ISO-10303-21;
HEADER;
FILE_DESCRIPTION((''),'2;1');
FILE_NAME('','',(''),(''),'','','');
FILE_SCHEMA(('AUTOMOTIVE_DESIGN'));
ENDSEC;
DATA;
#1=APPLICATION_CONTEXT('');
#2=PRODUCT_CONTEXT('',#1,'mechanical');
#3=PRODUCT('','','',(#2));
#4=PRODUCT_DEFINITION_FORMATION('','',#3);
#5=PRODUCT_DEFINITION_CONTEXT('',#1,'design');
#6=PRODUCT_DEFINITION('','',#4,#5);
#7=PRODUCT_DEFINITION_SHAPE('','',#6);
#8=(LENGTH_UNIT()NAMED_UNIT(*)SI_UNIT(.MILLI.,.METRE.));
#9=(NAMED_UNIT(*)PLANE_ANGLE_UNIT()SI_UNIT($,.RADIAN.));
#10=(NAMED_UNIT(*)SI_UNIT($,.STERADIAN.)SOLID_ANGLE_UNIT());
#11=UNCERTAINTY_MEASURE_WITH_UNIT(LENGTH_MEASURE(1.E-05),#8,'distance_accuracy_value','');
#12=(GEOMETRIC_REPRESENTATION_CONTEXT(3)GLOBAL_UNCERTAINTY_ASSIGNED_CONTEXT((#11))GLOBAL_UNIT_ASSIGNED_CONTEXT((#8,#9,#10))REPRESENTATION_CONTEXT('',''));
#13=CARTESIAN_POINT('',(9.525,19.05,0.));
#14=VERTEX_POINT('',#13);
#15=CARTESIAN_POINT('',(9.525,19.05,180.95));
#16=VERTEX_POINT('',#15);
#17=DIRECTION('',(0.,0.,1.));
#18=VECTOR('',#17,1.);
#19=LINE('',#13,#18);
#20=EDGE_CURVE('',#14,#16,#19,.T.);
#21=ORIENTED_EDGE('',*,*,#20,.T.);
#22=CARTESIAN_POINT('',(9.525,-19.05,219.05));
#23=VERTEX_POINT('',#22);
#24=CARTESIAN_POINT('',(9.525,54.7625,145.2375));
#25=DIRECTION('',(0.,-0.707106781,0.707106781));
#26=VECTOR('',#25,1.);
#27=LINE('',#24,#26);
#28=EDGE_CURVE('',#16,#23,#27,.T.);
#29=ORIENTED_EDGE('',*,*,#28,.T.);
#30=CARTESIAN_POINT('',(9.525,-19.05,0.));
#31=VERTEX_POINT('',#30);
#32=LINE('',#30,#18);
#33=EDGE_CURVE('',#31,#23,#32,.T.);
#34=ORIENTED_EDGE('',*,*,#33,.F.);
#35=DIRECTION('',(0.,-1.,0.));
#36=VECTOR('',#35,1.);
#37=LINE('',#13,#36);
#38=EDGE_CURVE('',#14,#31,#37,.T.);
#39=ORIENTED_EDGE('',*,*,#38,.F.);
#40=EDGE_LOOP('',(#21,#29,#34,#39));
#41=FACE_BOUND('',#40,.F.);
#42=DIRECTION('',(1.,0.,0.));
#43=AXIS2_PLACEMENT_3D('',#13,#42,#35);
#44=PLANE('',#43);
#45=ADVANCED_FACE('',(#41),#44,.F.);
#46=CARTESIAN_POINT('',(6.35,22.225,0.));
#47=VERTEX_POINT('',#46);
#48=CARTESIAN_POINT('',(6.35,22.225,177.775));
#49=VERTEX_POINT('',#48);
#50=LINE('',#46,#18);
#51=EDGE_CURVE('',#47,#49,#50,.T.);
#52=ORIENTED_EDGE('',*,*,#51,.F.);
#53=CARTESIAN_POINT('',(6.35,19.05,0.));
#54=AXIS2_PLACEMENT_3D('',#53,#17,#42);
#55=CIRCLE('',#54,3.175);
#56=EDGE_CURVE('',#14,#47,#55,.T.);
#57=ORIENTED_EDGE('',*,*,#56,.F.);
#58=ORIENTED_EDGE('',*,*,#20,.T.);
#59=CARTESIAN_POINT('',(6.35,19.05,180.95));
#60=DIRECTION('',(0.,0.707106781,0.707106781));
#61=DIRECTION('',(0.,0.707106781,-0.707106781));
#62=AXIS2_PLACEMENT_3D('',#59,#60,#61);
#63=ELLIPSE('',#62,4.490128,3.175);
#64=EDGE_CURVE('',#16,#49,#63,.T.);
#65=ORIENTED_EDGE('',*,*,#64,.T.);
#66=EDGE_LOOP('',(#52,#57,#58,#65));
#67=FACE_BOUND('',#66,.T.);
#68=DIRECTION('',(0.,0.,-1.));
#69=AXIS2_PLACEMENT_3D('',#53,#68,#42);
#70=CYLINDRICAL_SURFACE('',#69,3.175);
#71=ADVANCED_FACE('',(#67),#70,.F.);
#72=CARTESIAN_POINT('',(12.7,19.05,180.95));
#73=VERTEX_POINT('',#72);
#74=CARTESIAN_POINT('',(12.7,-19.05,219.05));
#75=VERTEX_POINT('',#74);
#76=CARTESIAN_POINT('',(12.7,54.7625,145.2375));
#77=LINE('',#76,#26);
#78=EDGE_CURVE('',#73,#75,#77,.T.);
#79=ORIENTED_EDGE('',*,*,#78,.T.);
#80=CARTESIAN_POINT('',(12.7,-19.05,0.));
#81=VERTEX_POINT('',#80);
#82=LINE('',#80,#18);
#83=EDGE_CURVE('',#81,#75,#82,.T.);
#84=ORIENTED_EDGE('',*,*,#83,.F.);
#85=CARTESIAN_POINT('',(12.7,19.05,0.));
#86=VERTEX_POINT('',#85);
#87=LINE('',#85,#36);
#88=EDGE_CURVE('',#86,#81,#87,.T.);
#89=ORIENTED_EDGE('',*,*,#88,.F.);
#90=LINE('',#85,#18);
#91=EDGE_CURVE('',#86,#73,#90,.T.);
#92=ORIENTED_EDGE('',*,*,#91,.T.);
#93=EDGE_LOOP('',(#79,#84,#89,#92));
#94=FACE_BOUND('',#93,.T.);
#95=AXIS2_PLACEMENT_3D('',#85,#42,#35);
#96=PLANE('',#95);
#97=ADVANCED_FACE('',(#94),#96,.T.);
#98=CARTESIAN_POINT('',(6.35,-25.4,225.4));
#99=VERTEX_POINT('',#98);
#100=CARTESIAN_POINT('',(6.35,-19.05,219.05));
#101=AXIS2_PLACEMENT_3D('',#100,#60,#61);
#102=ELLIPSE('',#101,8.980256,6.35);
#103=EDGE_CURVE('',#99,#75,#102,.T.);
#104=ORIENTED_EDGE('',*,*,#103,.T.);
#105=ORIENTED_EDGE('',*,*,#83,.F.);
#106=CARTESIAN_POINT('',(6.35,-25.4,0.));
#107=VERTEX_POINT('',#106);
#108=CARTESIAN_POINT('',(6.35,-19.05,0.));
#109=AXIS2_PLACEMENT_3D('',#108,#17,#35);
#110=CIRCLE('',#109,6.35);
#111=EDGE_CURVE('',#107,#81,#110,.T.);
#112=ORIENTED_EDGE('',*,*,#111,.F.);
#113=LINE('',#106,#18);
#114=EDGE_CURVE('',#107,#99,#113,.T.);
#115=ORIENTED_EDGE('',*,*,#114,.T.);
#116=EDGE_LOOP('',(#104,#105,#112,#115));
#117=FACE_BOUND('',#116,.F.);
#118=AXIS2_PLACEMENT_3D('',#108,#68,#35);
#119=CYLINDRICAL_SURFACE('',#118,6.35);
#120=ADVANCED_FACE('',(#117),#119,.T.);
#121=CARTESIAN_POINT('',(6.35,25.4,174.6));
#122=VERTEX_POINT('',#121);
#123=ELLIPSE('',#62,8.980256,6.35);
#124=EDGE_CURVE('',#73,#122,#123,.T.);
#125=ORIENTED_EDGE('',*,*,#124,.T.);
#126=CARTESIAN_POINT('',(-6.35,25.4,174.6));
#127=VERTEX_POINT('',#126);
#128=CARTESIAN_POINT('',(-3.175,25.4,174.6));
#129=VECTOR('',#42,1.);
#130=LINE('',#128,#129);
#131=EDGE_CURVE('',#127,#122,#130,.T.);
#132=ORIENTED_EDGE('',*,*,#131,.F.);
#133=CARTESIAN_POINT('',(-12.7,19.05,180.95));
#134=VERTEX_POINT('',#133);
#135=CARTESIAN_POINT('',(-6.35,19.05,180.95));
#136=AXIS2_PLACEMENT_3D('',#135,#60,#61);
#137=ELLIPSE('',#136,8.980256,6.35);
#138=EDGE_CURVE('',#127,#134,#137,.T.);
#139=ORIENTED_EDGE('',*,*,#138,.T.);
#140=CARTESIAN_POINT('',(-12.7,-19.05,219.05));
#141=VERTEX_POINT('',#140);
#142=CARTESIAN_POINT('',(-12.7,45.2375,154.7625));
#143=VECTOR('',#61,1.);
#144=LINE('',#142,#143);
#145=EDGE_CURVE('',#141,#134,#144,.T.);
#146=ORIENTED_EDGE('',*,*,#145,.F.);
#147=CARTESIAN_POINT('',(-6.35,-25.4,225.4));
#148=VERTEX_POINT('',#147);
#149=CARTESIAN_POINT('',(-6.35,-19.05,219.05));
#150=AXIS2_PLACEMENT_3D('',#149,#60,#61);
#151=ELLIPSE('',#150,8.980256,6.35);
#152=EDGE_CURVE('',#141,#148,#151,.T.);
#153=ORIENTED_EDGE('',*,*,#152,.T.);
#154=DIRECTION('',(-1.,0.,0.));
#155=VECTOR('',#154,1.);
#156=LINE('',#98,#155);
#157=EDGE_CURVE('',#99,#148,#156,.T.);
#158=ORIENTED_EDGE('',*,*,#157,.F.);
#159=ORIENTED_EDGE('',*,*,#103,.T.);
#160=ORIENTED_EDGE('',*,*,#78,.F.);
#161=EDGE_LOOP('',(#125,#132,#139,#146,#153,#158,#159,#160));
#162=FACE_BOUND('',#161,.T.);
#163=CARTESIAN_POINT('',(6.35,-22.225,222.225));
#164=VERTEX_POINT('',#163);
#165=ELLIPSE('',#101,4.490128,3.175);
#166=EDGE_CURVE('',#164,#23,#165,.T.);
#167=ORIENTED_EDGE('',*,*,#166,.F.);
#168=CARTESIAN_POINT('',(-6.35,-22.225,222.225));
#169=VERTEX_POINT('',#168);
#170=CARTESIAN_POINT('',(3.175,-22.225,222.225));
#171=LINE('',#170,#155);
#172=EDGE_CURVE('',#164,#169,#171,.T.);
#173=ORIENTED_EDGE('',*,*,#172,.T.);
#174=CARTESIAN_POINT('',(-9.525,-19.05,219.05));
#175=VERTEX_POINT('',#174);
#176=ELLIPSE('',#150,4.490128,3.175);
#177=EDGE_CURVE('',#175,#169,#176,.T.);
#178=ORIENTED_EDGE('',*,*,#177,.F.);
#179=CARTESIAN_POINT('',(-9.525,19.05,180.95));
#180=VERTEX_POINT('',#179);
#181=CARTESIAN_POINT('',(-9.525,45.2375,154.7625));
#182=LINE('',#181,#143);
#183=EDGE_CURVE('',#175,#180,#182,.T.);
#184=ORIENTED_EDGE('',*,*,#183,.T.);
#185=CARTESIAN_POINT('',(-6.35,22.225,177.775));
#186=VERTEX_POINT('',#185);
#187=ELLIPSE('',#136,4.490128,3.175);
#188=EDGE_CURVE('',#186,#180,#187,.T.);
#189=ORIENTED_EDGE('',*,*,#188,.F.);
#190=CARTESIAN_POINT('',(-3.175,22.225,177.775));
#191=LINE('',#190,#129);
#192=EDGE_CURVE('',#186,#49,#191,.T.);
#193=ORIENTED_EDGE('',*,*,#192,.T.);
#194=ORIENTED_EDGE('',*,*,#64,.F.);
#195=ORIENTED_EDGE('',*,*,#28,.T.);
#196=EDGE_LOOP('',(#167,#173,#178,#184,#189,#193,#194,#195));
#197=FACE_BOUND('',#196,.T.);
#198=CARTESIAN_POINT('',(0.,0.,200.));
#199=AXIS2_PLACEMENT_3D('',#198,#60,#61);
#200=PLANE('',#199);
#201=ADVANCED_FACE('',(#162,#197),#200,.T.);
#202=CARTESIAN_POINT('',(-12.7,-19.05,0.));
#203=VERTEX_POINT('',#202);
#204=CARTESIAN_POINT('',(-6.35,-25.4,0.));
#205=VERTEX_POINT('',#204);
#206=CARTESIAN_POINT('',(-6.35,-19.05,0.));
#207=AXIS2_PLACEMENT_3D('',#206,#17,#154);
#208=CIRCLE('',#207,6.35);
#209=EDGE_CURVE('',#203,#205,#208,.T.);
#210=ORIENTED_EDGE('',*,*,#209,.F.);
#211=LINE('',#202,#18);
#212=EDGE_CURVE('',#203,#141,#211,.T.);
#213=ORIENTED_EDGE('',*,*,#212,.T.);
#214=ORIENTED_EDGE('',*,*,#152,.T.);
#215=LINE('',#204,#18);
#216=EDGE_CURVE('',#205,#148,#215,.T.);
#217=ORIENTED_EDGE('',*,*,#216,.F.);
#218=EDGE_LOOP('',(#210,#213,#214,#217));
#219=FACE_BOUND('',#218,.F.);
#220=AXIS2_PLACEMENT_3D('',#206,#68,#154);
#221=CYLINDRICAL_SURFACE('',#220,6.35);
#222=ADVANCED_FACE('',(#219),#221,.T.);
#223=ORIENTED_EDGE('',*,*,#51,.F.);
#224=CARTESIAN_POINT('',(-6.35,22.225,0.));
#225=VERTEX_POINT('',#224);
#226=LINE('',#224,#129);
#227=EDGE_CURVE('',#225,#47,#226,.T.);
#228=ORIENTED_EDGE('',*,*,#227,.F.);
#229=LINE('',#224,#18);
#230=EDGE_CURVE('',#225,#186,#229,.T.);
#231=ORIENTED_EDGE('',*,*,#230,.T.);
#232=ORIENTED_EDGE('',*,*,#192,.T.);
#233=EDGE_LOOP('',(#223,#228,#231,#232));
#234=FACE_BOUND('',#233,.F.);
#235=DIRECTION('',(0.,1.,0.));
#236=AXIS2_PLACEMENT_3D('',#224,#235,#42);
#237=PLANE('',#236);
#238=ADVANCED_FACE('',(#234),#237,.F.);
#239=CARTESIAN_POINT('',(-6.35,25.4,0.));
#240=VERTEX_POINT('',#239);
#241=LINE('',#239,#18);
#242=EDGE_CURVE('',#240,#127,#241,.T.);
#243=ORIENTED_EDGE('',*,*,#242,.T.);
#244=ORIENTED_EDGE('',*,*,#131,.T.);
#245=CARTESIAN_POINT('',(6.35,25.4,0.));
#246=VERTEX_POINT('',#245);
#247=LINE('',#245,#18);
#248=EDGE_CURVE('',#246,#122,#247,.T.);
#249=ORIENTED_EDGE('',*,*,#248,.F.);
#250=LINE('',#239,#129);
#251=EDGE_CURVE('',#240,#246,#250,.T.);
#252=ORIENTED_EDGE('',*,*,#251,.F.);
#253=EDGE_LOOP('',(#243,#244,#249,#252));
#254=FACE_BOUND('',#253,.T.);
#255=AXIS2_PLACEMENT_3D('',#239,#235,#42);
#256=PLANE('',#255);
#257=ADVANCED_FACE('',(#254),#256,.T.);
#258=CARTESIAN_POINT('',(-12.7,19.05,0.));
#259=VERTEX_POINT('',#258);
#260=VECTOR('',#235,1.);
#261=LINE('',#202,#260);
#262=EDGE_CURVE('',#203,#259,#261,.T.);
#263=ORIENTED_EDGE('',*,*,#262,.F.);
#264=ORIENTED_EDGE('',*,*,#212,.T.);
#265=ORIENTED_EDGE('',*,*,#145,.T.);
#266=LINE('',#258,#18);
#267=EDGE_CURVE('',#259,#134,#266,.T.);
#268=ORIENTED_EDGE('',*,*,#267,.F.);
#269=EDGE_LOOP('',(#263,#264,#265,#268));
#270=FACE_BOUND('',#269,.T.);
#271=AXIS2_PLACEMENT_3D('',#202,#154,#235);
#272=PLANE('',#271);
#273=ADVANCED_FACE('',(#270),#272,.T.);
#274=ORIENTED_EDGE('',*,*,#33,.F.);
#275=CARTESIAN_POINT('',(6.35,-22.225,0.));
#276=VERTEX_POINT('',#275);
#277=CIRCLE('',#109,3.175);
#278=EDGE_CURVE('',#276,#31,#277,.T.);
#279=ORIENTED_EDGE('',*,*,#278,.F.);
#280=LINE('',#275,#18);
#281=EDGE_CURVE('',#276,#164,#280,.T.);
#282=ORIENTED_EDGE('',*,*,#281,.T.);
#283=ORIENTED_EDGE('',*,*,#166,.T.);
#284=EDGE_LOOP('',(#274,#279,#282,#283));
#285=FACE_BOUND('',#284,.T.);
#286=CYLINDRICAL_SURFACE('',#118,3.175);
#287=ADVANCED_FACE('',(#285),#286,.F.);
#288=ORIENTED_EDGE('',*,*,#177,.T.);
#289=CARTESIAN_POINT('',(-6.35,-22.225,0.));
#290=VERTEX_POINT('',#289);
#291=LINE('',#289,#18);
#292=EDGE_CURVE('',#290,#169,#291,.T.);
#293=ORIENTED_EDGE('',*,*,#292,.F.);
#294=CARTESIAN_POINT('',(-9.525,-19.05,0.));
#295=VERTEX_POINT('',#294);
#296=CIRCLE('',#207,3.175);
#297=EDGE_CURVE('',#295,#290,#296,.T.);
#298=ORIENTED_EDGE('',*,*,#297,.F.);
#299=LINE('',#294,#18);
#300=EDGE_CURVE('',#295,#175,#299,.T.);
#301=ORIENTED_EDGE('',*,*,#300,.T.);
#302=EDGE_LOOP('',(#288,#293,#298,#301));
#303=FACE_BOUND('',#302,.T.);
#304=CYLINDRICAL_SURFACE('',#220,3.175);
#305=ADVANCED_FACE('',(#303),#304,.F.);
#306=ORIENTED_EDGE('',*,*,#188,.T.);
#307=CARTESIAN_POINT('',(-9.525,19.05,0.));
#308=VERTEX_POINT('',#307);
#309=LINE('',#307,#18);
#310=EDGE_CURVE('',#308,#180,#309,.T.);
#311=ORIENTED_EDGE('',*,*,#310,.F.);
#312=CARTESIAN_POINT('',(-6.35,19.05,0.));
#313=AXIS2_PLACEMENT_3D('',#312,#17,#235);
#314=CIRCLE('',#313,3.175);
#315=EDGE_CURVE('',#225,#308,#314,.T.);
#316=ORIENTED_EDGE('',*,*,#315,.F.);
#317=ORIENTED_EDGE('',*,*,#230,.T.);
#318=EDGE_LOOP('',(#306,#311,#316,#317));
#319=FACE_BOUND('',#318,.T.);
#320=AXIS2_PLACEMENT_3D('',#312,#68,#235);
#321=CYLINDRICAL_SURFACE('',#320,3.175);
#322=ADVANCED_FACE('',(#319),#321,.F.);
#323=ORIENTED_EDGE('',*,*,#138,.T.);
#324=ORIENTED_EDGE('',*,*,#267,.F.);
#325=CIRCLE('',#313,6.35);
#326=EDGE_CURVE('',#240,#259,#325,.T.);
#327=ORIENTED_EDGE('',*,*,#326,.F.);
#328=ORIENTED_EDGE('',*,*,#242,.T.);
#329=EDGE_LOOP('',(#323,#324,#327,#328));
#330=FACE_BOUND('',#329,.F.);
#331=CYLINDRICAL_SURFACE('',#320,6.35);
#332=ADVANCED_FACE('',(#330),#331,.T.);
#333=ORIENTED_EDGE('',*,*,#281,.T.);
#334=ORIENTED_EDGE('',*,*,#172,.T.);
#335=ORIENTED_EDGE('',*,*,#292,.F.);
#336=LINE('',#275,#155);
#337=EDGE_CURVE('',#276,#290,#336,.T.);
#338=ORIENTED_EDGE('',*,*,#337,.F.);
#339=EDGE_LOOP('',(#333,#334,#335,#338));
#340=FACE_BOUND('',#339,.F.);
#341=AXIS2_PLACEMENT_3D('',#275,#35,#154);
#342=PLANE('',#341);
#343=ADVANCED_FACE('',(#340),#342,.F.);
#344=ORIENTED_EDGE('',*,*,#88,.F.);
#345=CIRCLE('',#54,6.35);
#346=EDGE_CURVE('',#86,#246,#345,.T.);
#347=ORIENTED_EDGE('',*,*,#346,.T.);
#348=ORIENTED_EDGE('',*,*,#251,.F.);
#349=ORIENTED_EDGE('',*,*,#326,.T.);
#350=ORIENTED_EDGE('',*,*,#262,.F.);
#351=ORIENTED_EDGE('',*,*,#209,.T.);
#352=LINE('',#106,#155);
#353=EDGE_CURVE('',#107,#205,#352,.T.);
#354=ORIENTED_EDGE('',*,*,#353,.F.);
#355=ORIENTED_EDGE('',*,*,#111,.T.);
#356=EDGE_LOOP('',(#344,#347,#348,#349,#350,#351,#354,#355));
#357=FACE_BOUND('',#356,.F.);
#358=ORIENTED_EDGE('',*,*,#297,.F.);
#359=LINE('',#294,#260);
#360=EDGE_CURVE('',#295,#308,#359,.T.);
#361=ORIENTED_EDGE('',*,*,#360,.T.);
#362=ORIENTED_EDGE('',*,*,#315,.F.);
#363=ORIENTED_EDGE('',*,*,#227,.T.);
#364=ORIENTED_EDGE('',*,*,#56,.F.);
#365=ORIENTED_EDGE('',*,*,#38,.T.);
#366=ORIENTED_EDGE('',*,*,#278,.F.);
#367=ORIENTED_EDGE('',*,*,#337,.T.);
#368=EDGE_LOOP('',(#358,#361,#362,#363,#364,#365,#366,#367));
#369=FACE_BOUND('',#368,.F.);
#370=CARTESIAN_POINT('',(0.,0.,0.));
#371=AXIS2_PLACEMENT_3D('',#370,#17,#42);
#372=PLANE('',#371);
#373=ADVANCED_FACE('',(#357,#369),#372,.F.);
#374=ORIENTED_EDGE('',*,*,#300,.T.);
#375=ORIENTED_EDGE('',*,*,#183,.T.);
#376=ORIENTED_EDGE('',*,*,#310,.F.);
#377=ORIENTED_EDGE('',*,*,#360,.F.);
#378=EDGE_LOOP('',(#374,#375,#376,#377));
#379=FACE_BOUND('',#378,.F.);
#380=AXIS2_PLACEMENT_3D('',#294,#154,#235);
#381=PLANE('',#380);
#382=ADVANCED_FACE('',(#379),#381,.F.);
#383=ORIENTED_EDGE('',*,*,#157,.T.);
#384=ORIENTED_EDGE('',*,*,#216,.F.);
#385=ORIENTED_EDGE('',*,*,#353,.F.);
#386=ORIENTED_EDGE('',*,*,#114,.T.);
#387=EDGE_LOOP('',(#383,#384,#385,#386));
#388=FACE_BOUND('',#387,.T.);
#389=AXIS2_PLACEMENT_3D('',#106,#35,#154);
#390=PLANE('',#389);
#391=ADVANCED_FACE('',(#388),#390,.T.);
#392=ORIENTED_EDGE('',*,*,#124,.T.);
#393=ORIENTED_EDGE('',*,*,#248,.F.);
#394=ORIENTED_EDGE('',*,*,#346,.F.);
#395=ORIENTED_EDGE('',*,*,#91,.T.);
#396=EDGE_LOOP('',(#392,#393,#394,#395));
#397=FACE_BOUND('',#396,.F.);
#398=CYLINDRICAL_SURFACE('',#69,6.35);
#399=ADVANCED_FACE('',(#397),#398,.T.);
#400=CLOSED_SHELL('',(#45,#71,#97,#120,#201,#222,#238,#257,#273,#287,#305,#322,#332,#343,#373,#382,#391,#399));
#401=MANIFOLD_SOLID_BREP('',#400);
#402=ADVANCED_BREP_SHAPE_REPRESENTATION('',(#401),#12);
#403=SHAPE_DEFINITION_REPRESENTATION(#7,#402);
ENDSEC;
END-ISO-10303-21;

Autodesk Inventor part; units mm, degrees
ref_plane "Start Plane" through (0, 0, 0) normal (0, 0, 1) x (1, 0, 0)
ref_plane "End Plane" through (0, 0, 225.4) normal (0, 0, 1) x (1, 0, 0)
sketch "Sketch" plane through (0, 0, 0) normal (0, 0, 1) x (1, 0, 0)
  line L0 (-12.7, -19.05) -> (-12.7, 19.05)
  line L1 (-6.35, 25.4) -> (6.35, 25.4)
  line L2 (12.7, 19.05) -> (12.7, -19.05)
  line L3 (6.35, -25.4) -> (-6.35, -25.4)
  arc A0 (-12.7, -19.05) -> (-6.35, -25.4) centre (-6.35, -19.05) ccw
  arc A1 (-6.35, 25.4) -> (-12.7, 19.05) centre (-6.35, 19.05) ccw
  arc A2 (12.7, 19.05) -> (6.35, 25.4) centre (6.35, 19.05) ccw
  arc A3 (6.35, -25.4) -> (12.7, -19.05) centre (6.35, -19.05) ccw
  arc A4 (-6.35, 22.225) -> (-9.525, 19.05) centre (-6.35, 19.05) ccw
  line L4 (-6.35, 22.225) -> (6.35, 22.225)
  arc A5 (9.525, 19.05) -> (6.35, 22.225) centre (6.35, 19.05) ccw
  line L5 (9.525, 19.05) -> (9.525, -19.05)
  arc A6 (6.35, -22.225) -> (9.525, -19.05) centre (6.35, -19.05) ccw
  line L6 (6.35, -22.225) -> (-6.35, -22.225)
  arc A7 (-9.525, -19.05) -> (-6.35, -22.225) centre (-6.35, -19.05) ccw
  line L7 (-9.525, -19.05) -> (-9.525, 19.05)
  line L8 (0, 37.4012) -> (0, -37.4012) construction
  line L9 (-19.6212, 0) -> (19.6212, 0) construction
  dimension "d10" = 50.8
  dimension "d11" = 25.4
  dimension "d12" = 3.175
  dimension "d15" = 25.4
  dimension "d16" = 12.7
  dimension "d17" = 6.35
extrude "Body" add sketch "Sketch" along normal up to surface (225.4 mm away) from surface at 0
sketch "Sketch3" plane through (0, 0, 0) normal (0, 0, 1) x (1, 0, 0)
  line L0 (0, 0) -> (10, 0)
ref_plane "Work Plane3" through (0, 0, 0) normal (0, -1, 0) x (1, 0, 0)
ref_plane "Work Plane4" through (0, 0, 200) normal (0, 0.7071, 0.7071) x (1, 0, 0)
split "Split1" plane through (0, 0, 200) removes the side toward (0, 0.7071, 0.7071)
sketch "Sketch4" plane through (0, 0, 0) normal (0, -1, 0) x (1, 0, 0)
  line L0 (-2, 0) -> (12, 0) projected
  line L1 (-2, 225.4) -> (12, 225.4) projected
  dimension "d19" = 225.4
equation "\"d10\" = G_H"
equation "\"d11\" = G_W"
equation "\"d12\" = G_T"
equation "\"d15\" = 0.5 * d10"
equation "\"d16\" = 0.5 * d11"
equation "\"d17\" = G_IR"
equation "\"d3\" = G_L"
equation "\"G_W\" = 25.4"
equation "\"G_H\" = 50.8"
equation "\"G_T\" = 3.175"
equation "\"G_IR\" = 6.35"
equation "\"G_L\" = d19"
equation "\"G_OFFSET_START\" = 0"
equation "\"G_OFFSET_END\" = 25.4"
equation "\"d14\" = G_OFFSET_END + B_L"
equation "\"B_L\" = 200"
properties part number "AISC - 2 x 1 x 1/8 - 8.874" material "Steel, Mild"
